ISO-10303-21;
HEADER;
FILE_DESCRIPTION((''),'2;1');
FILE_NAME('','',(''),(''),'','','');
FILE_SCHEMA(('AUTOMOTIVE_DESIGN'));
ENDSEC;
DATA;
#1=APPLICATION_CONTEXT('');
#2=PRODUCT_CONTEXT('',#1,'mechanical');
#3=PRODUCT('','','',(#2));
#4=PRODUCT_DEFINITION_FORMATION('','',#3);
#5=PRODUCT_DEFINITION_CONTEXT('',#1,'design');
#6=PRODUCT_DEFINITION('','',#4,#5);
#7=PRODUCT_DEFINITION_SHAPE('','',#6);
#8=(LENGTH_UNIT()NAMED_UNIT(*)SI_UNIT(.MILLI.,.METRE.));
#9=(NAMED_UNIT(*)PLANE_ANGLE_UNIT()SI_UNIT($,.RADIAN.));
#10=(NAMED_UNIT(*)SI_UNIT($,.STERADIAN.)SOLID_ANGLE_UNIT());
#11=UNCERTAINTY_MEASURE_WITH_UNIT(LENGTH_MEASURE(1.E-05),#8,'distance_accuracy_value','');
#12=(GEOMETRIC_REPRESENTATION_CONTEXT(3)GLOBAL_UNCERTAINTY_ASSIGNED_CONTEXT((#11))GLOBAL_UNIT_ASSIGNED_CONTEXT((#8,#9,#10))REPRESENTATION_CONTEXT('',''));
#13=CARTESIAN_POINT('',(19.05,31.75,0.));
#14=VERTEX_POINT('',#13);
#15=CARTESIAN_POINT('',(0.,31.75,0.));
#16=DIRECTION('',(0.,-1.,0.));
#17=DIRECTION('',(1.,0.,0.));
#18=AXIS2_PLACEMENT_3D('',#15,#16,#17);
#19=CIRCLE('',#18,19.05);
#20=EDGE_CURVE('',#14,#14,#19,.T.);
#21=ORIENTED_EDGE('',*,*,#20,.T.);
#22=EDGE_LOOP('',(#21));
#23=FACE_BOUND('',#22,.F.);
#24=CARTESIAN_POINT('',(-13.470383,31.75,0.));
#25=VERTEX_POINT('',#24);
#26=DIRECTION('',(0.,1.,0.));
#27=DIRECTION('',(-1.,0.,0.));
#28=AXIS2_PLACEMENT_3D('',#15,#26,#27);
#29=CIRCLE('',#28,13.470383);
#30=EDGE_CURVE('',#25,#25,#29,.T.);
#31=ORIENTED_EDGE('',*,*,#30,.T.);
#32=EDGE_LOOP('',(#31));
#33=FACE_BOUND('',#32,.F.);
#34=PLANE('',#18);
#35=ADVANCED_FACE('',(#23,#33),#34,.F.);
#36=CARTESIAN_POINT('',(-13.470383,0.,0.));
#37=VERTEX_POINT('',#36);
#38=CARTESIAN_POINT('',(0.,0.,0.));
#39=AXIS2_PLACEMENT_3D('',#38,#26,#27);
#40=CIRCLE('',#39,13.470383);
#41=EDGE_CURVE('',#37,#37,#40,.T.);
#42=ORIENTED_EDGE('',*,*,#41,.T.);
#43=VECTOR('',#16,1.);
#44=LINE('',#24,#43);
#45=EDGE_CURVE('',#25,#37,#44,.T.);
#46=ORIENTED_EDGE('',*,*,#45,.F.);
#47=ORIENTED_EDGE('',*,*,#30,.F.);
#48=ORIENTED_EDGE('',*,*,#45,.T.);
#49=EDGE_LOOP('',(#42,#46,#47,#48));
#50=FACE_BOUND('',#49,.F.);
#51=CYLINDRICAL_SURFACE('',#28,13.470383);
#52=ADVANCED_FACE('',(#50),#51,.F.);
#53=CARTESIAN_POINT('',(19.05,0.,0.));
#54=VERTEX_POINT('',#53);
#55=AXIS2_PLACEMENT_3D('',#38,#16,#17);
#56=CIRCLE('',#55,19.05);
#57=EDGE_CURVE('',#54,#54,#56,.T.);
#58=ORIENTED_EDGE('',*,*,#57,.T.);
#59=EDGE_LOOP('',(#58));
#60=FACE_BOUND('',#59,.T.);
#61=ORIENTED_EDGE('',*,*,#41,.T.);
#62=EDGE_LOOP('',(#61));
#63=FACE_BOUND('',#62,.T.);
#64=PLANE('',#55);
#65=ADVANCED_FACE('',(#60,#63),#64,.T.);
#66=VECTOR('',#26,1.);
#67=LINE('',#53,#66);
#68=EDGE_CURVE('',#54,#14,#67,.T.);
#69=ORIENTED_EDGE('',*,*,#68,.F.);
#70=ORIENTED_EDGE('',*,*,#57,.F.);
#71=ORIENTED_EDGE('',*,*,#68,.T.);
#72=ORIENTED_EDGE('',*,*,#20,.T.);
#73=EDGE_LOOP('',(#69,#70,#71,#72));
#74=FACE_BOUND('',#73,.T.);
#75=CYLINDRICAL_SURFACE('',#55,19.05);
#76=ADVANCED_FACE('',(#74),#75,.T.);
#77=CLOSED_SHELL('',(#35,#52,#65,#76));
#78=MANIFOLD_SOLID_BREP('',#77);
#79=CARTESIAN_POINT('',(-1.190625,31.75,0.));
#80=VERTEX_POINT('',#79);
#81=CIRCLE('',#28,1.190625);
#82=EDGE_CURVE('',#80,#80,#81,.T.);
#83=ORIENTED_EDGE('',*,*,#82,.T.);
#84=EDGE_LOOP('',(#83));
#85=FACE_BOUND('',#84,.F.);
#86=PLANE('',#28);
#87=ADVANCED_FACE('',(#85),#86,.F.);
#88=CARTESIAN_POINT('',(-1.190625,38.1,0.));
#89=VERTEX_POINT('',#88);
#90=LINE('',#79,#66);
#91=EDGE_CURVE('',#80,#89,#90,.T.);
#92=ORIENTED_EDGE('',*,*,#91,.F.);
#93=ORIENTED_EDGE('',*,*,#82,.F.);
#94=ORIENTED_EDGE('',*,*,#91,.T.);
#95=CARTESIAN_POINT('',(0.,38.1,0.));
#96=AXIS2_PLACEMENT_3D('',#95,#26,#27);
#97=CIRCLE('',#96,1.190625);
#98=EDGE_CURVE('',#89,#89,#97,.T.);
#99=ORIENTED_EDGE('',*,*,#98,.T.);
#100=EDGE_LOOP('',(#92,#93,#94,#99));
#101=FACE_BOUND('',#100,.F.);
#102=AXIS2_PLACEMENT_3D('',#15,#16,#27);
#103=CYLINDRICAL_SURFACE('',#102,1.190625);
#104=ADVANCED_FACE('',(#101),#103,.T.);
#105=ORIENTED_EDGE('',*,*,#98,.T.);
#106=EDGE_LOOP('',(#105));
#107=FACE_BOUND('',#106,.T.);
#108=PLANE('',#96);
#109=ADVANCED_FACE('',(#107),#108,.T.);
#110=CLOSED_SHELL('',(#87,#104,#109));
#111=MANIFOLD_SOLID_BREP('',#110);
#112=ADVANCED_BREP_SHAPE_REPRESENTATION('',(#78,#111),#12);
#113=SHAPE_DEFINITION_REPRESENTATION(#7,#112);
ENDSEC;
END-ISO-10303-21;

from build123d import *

# Parameters (mm, degrees)
F0_R     = 19.05
F1_DEPTH = 31.75
F2_R     = 1.190625
F3_DEPTH = 6.35
F5_R     = 13.470383
F6_DEPTH = 38.1


with BuildPart() as f1:
    # F0 (on Front) → F1 (new body)
    with BuildSketch(Plane.XZ):
        Circle(F0_R)
    extrude(amount=-F1_DEPTH)

    # F2 (on face) → F3 (join)
    with BuildSketch(Plane(origin=(0, 31.75, 0), x_dir=(-1, 0, 0), z_dir=(0, 1, 0))):
        Circle(F2_R)
    extrude(amount=F3_DEPTH)

    # F5 (on face) → F6 (cut)
    with BuildSketch(Plane(origin=(0, 31.75, 0), x_dir=(-1, 0, 0), z_dir=(0, 1, 0))):
        Circle(F5_R)
    extrude(amount=-F6_DEPTH, mode=Mode.SUBTRACT)


solid = f1.part
